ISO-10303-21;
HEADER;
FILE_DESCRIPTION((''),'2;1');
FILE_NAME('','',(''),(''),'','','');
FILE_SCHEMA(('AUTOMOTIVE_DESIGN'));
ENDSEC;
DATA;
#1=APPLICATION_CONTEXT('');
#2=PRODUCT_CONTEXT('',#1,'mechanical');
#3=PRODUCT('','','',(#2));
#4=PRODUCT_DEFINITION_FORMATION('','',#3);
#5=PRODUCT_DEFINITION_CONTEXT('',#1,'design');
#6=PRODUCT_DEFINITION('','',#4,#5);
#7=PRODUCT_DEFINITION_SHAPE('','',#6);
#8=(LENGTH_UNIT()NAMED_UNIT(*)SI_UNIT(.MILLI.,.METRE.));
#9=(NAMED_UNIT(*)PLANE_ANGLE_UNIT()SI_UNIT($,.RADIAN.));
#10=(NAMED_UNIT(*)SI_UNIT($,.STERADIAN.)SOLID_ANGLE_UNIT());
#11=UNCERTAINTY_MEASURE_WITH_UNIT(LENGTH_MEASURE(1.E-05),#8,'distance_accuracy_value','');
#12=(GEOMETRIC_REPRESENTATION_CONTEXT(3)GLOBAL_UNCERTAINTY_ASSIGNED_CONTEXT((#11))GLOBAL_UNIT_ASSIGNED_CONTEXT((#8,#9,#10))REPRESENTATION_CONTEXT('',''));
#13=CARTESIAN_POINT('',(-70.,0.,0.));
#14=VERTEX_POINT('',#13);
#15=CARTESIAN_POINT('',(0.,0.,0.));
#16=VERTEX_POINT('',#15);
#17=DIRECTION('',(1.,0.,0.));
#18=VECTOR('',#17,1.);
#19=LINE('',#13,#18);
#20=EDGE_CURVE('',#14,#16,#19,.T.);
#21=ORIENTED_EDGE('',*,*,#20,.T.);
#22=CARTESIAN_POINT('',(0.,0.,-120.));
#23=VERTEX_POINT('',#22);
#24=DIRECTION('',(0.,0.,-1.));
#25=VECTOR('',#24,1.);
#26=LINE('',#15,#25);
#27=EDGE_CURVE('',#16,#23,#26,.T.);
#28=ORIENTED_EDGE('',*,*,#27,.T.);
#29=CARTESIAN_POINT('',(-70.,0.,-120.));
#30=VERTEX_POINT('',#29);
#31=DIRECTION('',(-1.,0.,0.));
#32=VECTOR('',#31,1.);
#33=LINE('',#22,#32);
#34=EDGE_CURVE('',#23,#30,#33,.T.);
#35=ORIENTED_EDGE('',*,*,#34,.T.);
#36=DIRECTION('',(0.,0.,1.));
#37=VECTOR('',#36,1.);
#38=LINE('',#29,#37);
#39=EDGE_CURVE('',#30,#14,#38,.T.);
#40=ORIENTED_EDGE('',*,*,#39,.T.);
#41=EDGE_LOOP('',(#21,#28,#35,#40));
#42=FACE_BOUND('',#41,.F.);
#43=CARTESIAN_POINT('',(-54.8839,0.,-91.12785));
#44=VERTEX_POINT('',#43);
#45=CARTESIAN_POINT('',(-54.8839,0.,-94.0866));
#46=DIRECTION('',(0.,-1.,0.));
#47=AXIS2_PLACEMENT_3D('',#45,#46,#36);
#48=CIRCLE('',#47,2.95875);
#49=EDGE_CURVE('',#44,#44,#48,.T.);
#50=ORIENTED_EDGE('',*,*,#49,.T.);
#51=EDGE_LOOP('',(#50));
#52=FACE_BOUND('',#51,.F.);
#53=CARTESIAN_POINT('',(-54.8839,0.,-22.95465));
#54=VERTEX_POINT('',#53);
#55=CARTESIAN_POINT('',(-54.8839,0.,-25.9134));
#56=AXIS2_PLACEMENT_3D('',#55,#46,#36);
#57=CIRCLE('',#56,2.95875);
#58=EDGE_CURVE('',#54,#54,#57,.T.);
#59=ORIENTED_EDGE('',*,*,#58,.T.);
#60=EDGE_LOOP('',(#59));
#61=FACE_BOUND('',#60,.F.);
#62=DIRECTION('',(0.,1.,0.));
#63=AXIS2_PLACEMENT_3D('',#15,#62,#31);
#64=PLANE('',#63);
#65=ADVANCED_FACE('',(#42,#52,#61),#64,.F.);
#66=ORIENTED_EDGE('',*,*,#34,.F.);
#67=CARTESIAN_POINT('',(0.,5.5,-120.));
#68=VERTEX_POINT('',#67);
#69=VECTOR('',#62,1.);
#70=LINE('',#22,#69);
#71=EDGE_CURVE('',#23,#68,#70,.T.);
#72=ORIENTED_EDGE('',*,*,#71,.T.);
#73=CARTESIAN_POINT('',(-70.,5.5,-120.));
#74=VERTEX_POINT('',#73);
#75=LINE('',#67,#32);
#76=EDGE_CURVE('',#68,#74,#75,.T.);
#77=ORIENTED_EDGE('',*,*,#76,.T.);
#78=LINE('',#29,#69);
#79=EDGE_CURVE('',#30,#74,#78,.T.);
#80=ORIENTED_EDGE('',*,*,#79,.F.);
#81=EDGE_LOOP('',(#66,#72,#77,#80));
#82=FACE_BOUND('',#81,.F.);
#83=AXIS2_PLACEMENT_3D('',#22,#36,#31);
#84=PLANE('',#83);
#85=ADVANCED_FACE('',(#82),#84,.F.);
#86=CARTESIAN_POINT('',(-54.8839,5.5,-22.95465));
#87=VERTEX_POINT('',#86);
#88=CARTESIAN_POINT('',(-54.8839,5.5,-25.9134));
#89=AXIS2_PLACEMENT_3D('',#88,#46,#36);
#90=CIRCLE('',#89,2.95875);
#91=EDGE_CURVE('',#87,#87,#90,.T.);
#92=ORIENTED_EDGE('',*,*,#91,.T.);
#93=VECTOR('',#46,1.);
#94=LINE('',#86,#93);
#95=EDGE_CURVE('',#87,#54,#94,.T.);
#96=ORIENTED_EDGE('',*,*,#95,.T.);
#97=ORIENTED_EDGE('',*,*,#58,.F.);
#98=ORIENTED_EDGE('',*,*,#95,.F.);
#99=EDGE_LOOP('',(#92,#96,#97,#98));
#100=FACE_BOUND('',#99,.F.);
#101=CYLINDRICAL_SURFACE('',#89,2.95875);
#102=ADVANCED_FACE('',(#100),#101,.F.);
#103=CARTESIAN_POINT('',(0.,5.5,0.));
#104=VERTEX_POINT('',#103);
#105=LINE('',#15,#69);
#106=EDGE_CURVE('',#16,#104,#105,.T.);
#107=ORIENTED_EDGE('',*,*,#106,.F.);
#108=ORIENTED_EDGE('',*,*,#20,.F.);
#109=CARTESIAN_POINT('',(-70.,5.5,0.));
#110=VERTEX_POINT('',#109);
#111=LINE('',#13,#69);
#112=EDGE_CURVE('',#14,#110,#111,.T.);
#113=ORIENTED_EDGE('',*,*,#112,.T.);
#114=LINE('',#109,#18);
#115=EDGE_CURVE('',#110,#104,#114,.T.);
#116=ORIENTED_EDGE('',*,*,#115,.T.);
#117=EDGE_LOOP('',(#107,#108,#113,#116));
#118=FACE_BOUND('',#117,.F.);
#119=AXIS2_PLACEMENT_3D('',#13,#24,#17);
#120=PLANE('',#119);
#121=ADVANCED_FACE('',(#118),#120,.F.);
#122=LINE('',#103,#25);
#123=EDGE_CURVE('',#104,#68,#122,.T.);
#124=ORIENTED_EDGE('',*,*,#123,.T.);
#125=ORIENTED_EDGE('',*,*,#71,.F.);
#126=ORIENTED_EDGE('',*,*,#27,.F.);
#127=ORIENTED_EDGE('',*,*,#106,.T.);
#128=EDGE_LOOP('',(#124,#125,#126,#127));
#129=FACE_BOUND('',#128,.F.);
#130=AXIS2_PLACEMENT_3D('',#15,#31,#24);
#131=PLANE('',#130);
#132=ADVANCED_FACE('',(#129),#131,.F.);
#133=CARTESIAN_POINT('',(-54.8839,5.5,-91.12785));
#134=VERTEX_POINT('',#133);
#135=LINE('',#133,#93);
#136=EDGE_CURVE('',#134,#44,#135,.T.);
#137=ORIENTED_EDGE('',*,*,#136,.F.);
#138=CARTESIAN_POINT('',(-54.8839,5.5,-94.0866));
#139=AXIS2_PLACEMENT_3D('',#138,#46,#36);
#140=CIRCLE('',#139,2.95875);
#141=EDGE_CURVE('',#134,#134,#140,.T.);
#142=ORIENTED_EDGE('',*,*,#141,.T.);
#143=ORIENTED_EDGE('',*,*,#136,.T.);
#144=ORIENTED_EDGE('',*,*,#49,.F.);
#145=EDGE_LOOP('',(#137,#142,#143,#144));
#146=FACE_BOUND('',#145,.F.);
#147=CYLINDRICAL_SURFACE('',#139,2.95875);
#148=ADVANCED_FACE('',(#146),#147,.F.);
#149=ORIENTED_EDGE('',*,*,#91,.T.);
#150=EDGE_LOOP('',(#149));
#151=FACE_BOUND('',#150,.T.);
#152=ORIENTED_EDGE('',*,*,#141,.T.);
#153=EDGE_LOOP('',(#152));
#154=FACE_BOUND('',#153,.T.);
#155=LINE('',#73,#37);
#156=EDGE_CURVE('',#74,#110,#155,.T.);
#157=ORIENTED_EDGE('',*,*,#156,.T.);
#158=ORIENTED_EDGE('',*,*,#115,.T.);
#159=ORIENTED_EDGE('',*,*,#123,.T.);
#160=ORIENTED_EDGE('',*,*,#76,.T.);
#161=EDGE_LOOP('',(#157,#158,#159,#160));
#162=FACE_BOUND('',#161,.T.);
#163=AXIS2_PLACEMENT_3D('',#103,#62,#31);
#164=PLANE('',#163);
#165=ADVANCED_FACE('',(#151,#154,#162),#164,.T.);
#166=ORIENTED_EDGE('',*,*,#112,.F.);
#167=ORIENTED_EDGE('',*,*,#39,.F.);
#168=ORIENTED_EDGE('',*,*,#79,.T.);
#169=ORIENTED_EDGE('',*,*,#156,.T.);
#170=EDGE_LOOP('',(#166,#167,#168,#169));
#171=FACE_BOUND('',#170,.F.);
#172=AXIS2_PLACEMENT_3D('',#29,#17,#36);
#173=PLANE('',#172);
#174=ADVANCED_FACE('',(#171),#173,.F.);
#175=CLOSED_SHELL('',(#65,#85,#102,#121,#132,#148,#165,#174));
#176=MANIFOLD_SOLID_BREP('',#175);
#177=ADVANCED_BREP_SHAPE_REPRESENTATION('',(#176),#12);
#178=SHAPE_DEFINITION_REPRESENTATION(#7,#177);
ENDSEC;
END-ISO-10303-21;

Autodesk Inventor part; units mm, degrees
ref_plane "YZ Plane" through (0, 0, 0) normal (1, 0, 0) x (0, 1, 0)
ref_plane "XZ Plane" through (0, 0, 0) normal (0, 1, 0) x (-1, 0, 0)
ref_plane "XY Plane" through (0, 0, 0) normal (0, 0, 1) x (1, 0, 0)
sketch "Sketch1" plane through (0, 0, 0) normal (0, 1, 0) x (-1, 0, 0)
  line L0 (0, 0) -> (0, -120)
  line L1 (0, -120) -> (70, -120)
  line L2 (70, -120) -> (70, 0)
  line L3 (70, 0) -> (0, 0)
  line L4 (70, 0) -> (0, 0)
  dimension "d0" = 120
  dimension "d1" = 70
extrude "Extrusion1" add sketch "Sketch1" along normal blind 5.5
sketch "Sketch2" plane through (0, 5.5, 0) normal (0, 1, 0) x (1, 0, 0)
  line L0 (0, 120) -> (-70, 120) construction
  line L1 (0, 0) -> (0, 120) construction
  line L2 (-70, 120) -> (0, 0) construction
  line L3 (-70, 0) -> (0, 0) construction
  line L4 (-70, 0) -> (0, 120) construction
  line L5 (-70, 120) -> (-54.8839, 94.0866) construction
  line L6 (-70, 0) -> (-54.8839, 25.9134) construction
  dimension "d4" = 30
  dimension "d5" = 30
hole "Hole1" at (-54.8839, 5.5, -94.0866) at (-54.8839, 5.5, -25.9134) direction (0, -1, 0) diameter 5.9175 depth 19.1 tip angle 118 thread size "M7x1" class "6H" standard "ANSI Metric M Profile"
properties part number "HL"
